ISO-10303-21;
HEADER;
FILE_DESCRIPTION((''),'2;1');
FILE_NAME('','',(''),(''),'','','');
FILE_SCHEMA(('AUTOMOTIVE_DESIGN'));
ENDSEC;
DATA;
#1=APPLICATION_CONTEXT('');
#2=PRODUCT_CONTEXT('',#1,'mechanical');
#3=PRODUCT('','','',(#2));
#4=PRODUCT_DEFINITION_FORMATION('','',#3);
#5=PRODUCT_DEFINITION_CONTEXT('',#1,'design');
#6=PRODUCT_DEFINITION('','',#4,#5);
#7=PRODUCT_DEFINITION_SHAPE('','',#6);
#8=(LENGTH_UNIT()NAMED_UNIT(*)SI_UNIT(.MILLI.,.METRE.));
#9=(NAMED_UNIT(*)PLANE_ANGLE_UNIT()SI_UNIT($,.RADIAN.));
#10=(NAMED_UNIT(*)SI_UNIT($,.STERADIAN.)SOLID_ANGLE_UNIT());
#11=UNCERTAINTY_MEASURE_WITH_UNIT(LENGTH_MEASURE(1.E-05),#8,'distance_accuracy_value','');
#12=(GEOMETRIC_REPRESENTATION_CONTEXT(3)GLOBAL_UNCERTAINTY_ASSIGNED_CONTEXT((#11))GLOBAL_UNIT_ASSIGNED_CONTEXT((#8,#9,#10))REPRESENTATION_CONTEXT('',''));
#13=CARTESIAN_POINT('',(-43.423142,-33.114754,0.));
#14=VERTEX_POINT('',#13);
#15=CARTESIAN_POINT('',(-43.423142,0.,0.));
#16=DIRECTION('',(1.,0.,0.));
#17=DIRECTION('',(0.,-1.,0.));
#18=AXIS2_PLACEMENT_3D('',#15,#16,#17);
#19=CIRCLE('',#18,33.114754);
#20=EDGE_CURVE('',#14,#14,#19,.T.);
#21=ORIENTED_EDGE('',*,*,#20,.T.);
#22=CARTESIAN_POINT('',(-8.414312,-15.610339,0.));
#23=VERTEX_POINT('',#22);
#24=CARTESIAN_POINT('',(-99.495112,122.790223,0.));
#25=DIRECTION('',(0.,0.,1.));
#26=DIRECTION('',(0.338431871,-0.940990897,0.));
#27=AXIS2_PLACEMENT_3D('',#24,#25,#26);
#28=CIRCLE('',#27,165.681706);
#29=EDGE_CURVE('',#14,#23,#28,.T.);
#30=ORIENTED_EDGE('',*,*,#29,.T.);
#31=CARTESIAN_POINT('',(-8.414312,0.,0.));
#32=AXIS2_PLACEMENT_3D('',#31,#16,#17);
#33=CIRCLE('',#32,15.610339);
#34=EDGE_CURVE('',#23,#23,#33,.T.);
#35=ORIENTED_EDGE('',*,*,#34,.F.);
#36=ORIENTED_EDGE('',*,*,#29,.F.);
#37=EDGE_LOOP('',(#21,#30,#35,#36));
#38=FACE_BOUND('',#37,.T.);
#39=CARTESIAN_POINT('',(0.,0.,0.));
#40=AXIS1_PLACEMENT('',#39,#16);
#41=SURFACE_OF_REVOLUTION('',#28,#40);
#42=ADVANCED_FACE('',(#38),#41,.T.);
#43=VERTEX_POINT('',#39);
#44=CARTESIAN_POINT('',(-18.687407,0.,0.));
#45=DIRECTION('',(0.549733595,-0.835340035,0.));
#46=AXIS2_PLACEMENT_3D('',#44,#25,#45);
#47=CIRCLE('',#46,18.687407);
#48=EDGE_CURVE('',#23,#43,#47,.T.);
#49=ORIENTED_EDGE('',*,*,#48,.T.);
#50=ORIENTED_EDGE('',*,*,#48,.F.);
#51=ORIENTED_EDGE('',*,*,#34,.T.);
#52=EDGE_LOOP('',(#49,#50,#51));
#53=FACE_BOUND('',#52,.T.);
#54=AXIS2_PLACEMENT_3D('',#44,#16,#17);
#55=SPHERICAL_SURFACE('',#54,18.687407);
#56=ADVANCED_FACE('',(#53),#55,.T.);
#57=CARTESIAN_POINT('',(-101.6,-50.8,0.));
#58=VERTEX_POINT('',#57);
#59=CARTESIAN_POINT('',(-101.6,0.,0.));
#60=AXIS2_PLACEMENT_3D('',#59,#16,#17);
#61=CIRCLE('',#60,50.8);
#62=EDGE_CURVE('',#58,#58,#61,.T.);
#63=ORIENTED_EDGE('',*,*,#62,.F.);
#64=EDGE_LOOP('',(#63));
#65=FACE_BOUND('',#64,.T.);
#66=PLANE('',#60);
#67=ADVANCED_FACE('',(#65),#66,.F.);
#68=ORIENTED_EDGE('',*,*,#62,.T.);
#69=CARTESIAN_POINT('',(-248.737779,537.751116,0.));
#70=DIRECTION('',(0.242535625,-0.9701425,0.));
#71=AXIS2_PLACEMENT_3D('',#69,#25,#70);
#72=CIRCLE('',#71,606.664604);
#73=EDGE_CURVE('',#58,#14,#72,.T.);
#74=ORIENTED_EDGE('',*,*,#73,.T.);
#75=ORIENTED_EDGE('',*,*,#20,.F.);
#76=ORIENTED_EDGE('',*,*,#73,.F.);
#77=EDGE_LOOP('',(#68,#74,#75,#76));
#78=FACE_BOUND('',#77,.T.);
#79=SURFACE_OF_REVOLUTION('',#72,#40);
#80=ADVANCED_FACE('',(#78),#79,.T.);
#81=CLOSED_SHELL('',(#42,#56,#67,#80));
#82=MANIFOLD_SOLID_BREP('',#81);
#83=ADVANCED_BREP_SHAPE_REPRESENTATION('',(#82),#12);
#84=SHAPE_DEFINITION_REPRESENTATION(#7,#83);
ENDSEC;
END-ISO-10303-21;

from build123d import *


with BuildPart() as f2:
    # F0 (on Top) → F2 (revolve)
    with BuildSketch(Plane.XY):
        with BuildLine():
            ThreePointArc((-43.4231416664, -33.1147542792), (-25.4, -25.4), (-8.4143115768, -15.6103392344))
            ThreePointArc((-8.4143115768, -15.6103392344), (-2.2375332055, -8.8668389283), (0, 0))
            Line((0, 0), (-101.6, 0))
            Line((-101.6, 0), (-101.6, -50.8))
            ThreePointArc((-101.6, -50.8), (-72.2898591372, -42.6867133407), (-43.4231416664, -33.1147542792))
        make_face()
    revolve(axis=Axis((0, 0, 0), (1, 0, 0)))


solid = f2.part
